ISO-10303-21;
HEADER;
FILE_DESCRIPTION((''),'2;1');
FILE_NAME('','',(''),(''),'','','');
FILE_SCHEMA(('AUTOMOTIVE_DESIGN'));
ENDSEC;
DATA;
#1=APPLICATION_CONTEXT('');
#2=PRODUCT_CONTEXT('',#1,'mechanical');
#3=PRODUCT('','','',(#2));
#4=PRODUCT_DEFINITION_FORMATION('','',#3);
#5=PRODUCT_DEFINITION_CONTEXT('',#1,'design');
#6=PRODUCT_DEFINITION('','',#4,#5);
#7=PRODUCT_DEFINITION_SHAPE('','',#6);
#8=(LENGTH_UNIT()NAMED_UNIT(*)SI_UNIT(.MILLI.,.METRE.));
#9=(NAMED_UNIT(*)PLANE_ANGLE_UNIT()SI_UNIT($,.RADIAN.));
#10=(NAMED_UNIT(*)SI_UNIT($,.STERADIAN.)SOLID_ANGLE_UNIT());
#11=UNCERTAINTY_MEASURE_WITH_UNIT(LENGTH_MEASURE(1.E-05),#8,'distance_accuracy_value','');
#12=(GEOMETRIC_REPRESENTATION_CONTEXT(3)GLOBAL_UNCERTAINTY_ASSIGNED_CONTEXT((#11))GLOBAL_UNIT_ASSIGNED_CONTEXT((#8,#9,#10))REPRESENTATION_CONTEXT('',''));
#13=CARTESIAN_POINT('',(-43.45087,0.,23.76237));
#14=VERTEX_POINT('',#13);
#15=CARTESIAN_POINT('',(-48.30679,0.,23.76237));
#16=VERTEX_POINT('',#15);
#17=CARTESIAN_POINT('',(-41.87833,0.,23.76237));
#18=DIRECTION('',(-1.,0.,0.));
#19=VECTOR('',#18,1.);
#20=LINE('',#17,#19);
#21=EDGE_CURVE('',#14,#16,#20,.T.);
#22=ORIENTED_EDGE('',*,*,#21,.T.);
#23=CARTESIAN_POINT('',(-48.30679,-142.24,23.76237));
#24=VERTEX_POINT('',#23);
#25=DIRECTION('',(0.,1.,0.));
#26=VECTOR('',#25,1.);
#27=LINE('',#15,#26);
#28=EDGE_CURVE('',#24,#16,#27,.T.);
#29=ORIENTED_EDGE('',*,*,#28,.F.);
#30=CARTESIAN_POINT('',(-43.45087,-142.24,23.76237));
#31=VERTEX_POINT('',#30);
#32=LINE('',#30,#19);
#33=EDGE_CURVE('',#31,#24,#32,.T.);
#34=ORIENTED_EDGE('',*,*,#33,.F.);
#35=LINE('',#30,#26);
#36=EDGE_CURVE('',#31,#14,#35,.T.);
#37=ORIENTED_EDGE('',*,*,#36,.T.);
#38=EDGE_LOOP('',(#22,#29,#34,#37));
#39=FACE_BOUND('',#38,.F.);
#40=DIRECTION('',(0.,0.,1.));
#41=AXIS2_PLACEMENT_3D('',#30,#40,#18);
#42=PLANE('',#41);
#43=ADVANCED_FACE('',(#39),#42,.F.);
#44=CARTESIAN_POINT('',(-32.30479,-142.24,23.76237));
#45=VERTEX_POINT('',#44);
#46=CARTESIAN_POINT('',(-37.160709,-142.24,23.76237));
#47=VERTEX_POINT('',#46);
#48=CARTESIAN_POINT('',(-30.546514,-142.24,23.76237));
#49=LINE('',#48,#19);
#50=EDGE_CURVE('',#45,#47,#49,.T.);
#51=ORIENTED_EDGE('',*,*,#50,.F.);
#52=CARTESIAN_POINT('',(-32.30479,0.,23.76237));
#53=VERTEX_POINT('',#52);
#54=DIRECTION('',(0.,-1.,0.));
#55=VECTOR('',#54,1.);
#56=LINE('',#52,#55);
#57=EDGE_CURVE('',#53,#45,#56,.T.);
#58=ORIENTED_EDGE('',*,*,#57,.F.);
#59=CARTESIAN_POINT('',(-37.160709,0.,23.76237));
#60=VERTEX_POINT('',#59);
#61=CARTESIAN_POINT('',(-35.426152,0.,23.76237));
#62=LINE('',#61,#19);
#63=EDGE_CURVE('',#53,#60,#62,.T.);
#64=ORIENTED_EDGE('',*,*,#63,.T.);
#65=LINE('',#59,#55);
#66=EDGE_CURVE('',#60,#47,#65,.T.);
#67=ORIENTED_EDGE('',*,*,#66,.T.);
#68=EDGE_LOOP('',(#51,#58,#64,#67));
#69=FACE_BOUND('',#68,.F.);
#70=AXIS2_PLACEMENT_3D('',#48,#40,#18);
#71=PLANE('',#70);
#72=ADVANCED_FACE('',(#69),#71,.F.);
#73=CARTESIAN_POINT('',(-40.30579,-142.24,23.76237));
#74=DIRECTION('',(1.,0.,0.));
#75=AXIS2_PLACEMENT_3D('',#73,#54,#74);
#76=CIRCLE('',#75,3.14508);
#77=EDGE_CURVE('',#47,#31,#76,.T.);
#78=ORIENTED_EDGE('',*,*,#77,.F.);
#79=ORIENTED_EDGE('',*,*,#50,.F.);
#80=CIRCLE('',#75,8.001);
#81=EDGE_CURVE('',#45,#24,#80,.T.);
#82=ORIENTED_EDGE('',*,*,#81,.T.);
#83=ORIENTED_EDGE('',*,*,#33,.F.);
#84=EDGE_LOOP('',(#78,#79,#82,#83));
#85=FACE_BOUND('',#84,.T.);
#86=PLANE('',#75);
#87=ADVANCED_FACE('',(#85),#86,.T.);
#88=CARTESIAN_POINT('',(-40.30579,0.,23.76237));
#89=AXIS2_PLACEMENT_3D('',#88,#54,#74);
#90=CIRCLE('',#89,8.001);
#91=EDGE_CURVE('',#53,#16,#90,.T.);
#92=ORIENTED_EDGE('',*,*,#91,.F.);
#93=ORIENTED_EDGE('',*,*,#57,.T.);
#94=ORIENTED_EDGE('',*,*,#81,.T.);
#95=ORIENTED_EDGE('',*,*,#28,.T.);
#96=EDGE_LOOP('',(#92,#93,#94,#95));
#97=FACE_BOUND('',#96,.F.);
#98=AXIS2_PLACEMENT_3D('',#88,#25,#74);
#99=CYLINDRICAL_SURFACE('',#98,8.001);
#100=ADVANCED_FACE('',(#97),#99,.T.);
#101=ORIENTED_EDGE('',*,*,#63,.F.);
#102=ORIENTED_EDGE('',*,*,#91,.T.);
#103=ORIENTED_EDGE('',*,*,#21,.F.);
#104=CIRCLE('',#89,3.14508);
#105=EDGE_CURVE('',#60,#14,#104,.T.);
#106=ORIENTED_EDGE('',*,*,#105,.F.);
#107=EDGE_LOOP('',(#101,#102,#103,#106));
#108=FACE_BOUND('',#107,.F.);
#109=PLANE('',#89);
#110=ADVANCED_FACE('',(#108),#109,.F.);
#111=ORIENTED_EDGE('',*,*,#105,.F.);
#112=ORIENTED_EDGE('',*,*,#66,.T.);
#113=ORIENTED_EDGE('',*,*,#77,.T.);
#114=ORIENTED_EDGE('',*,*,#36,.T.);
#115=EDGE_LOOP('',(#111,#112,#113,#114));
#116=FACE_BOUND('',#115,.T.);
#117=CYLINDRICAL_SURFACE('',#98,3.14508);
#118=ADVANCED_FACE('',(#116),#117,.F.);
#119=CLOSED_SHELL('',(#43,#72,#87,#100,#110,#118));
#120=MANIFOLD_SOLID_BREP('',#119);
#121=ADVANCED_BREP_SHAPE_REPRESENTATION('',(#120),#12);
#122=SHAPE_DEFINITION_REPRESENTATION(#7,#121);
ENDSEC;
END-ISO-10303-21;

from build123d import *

# Parameters (mm, degrees)
F0_R     = 8.001
F0_R_2   = 3.1450800774
F1_DEPTH = 142.24
F3_DEPTH = 269.494


with BuildPart() as f1:
    # F0 (on Front) → F1 (new body)
    with BuildSketch(Plane.XZ):
        with Locations((-40.3057895601, 23.7623695284)):
            Circle(F0_R)
        with Locations((-40.3057895601, 23.7623695284)):
            Circle(F0_R_2, mode=Mode.SUBTRACT)
    extrude(amount=F1_DEPTH)

    # F2 (on face) → F3 (cut)
    with BuildSketch(Plane.XZ.offset(142.24)):
        with BuildLine():
            Line((-30.5465143174, 23.7623695284), (-32.3047895601, 23.7623695284))
            ThreePointArc((-32.3047895601, 23.7623695284), (-40.3057895601, 15.7613695284), (-48.3067895601, 23.7623695284))
            Line((-48.3067895601, 23.7623695284), (-52.8133995831, 23.7623695284))
            Line((-52.8133995831, 23.7623695284), (-53.4393787384, 18.990367651))
            Line((-53.4393787384, 18.990367651), (-43.6920262873, 13.8931293041))
            Line((-43.6920262873, 13.8931293041), (-30.5465143174, 15.9499105066))
            Line((-30.5465143174, 15.9499105066), (-30.5465143174, 23.7623695284))
        make_face()
        with BuildLine():
            Line((-32.3047895601, 23.7623695284), (-37.1607094827, 23.7623695284))
            ThreePointArc((-37.1607094827, 23.7623695284), (-40.3057895601, 20.617289451), (-43.4508696374, 23.7623695284))
            Line((-43.4508696374, 23.7623695284), (-48.3067895601, 23.7623695284))
            ThreePointArc((-48.3067895601, 23.7623695284), (-40.3057895601, 15.7613695284), (-32.3047895601, 23.7623695284))
        make_face()
    extrude(amount=-F3_DEPTH, mode=Mode.SUBTRACT)


solid = f1.part
